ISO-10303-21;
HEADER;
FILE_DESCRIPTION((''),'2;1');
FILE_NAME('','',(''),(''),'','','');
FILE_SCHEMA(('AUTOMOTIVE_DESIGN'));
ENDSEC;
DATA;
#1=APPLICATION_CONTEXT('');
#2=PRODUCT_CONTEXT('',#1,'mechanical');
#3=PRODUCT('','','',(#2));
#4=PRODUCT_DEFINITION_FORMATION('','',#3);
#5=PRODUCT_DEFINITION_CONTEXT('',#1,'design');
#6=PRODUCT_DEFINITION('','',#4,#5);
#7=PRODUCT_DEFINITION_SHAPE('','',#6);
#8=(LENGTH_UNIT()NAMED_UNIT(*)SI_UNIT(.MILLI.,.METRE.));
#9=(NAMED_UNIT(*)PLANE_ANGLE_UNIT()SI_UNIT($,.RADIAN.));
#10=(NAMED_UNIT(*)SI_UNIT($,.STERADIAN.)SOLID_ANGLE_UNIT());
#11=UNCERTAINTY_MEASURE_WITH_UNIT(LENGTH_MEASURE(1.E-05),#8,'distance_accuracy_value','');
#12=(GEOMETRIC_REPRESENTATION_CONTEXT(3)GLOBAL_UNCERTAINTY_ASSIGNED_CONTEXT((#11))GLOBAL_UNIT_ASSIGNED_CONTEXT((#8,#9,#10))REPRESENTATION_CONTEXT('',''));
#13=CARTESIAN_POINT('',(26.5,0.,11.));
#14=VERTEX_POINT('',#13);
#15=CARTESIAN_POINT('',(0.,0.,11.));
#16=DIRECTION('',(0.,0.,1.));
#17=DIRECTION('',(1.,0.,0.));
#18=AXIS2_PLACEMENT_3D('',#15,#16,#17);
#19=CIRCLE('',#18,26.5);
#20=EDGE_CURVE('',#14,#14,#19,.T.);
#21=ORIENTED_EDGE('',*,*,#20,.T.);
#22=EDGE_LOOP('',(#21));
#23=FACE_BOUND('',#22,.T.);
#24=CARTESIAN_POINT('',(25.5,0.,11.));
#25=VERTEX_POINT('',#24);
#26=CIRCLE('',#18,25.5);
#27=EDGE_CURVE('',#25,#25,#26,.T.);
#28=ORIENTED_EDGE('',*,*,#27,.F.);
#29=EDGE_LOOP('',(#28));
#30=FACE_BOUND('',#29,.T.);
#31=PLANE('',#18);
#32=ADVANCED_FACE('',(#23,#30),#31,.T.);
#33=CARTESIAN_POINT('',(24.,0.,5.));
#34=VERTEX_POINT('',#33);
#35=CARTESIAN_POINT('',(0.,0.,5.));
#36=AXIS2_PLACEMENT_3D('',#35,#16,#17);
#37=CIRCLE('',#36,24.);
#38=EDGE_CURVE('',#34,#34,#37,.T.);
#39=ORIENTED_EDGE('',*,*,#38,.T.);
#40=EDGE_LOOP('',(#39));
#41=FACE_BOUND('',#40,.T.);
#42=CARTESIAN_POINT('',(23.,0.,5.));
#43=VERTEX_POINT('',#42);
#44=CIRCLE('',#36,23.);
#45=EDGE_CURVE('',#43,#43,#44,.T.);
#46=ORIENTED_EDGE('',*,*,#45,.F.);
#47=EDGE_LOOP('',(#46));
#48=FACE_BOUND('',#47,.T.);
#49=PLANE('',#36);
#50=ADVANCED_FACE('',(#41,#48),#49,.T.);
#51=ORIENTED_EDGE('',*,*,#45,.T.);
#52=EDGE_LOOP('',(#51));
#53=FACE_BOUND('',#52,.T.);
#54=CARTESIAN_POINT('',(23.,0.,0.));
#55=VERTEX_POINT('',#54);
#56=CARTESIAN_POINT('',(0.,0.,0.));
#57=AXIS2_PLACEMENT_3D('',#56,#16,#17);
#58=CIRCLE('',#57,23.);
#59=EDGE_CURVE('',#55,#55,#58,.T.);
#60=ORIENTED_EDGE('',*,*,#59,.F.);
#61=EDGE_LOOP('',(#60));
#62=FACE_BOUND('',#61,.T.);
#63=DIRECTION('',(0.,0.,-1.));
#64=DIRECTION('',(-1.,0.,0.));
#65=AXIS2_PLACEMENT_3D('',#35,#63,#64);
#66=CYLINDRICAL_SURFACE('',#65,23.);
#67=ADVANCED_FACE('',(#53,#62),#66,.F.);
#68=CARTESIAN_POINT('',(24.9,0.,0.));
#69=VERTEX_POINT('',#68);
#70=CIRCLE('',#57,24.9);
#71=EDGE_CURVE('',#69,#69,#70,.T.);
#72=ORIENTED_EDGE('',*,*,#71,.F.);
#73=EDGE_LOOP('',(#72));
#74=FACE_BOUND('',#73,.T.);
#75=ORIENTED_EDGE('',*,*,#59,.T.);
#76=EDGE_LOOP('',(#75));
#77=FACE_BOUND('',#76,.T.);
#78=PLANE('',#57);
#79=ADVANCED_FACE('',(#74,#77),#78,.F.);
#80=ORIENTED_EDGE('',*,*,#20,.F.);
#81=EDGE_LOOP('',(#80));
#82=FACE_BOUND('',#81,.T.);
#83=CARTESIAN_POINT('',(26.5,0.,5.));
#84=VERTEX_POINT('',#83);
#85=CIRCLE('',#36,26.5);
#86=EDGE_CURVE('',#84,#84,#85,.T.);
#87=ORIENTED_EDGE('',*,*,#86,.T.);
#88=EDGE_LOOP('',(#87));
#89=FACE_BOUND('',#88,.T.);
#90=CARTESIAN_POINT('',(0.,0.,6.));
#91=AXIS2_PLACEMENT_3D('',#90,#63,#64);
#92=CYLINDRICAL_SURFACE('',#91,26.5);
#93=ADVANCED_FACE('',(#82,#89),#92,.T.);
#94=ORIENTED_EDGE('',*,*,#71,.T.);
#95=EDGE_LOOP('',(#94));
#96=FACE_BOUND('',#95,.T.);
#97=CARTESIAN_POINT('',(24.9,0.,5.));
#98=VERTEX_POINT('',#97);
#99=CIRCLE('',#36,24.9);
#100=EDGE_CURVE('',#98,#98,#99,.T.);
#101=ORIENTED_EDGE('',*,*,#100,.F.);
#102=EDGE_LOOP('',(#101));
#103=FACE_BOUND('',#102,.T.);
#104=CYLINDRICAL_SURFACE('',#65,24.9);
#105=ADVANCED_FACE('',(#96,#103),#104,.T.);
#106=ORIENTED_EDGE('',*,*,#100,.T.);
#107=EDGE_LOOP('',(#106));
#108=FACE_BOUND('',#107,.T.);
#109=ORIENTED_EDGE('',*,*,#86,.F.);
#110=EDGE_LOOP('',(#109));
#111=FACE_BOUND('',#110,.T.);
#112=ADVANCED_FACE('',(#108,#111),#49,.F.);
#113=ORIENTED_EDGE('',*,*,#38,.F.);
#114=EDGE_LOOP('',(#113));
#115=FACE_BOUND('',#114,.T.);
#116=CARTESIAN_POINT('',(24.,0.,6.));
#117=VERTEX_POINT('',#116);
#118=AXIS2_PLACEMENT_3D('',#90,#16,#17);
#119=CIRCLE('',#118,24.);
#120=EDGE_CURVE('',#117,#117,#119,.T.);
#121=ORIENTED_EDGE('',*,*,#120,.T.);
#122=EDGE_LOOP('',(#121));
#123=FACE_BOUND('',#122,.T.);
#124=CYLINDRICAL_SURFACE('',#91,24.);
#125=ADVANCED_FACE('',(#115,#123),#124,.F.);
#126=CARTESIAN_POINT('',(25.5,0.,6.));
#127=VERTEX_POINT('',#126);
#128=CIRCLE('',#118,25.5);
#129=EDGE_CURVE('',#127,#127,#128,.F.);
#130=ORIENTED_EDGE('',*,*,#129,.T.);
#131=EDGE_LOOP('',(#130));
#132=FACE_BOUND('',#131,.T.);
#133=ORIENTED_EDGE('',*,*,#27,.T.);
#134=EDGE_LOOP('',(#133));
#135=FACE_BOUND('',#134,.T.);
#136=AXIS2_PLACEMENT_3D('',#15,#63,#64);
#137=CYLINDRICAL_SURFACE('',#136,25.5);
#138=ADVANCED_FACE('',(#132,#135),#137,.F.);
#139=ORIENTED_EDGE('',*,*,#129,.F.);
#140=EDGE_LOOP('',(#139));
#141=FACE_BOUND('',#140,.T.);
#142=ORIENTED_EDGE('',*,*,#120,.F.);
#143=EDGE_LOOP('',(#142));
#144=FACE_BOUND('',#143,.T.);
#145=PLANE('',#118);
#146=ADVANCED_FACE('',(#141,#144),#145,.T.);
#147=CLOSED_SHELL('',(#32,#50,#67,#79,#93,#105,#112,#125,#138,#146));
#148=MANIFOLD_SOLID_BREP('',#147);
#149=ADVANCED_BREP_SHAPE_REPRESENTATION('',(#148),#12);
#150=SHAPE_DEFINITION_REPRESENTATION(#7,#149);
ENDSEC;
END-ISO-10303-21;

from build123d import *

# Parameters (mm, degrees)
SKETCH_1_R      = 24.9
SKETCH_1_R_2    = 23
EXTRUDE_1_DEPTH = 5
SKETCH_2_R      = 26.5
SKETCH_2_R_2    = 24
EXTRUDE_2_DEPTH = 1
SKETCH_3_R      = 26.5
SKETCH_3_R_2    = 25.5
EXTRUDE_3_DEPTH = 5


with BuildPart() as part:
    # 草图1 → 凸台-拉伸1 (new body)
    with BuildSketch(Plane.XY):
        Circle(SKETCH_1_R)
        Circle(SKETCH_1_R_2, mode=Mode.SUBTRACT)
    extrude(amount=EXTRUDE_1_DEPTH)

    # 草图2 → 凸台-拉伸2 (add)
    with BuildSketch(Plane.XY.offset(5)):
        Circle(SKETCH_2_R)
        Circle(SKETCH_2_R_2, mode=Mode.SUBTRACT)
    extrude(amount=EXTRUDE_2_DEPTH)

    # 草图3 → 凸台-拉伸3 (add)
    with BuildSketch(Plane.XY.offset(6)):
        Circle(SKETCH_3_R)
        Circle(SKETCH_3_R_2, mode=Mode.SUBTRACT)
    extrude(amount=EXTRUDE_3_DEPTH)


solid = part.part
